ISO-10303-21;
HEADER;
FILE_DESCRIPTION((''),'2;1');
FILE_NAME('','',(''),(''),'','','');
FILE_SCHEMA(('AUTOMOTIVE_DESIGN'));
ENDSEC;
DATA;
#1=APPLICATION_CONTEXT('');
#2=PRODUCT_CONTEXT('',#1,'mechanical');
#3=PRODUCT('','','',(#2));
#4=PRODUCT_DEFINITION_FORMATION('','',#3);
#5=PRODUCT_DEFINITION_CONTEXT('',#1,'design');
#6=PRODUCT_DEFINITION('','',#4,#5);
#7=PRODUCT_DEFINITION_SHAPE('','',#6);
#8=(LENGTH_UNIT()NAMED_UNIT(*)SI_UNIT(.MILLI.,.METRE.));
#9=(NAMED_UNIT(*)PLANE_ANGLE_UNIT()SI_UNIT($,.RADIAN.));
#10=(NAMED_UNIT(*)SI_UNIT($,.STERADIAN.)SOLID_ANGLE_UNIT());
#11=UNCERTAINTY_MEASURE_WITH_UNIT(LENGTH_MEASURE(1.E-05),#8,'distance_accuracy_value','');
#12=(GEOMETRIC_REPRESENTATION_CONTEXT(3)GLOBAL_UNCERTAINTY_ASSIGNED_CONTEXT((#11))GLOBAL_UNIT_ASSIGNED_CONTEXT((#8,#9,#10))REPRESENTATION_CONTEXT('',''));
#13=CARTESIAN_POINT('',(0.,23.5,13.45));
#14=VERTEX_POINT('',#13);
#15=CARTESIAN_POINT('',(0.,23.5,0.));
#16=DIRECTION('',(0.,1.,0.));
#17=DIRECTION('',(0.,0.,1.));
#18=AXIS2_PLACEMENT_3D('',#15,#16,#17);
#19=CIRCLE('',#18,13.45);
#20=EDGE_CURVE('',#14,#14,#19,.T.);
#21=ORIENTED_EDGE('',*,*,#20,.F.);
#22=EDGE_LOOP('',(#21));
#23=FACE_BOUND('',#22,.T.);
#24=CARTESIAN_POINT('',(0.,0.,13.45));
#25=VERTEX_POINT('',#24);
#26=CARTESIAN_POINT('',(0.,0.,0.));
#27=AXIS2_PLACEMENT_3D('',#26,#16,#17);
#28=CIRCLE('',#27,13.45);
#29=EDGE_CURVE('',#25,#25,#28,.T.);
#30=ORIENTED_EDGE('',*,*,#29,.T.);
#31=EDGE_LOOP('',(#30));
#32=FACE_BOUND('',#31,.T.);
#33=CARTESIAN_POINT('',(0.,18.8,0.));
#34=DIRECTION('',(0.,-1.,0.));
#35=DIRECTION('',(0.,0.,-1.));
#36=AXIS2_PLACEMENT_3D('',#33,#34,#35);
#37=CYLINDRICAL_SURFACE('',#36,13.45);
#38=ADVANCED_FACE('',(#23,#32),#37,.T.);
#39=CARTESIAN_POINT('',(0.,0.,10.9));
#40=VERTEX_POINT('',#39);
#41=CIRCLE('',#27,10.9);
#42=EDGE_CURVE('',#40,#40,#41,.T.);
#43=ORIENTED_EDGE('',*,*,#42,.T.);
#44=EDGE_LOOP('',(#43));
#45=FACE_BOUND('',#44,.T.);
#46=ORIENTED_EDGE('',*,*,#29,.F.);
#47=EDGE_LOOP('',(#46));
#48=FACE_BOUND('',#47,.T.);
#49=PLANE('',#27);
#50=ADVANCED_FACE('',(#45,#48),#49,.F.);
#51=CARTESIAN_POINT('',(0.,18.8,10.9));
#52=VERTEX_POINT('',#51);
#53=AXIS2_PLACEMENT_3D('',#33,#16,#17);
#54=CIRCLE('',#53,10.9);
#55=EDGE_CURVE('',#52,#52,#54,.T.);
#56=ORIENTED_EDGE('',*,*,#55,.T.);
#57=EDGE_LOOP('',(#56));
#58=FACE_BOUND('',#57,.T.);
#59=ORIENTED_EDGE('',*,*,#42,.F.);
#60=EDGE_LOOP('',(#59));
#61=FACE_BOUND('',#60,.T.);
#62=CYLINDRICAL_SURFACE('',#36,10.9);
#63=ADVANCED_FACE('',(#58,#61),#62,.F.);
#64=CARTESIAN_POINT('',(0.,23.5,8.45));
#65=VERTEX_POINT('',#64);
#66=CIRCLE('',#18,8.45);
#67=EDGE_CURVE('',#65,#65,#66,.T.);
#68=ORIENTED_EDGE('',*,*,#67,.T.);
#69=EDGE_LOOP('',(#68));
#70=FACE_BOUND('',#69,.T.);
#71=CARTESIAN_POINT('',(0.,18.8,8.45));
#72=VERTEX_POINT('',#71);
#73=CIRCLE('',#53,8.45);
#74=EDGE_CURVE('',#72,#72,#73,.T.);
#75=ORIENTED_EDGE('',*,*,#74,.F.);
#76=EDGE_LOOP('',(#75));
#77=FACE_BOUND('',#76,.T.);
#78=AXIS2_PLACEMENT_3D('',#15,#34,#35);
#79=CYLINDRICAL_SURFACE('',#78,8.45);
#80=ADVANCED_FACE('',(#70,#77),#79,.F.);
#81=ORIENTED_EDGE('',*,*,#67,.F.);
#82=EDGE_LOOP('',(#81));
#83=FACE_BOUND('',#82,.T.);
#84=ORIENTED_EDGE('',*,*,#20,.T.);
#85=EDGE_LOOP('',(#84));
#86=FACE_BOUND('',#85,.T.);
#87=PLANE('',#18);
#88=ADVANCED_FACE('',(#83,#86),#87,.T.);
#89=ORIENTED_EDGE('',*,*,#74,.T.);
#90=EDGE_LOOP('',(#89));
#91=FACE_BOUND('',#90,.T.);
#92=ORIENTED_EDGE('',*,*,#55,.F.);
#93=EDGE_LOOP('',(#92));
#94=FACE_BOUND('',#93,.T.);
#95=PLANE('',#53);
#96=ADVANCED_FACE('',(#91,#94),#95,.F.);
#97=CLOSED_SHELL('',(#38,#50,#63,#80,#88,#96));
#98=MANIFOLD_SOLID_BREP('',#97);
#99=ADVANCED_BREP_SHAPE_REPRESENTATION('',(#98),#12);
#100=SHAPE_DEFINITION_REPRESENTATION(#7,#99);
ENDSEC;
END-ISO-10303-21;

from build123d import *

# Parameters (mm, degrees)
SKETCH1_R           = 13.45
SKETCH1_R_2         = 10.9
BOSS_EXTRUDE1_DEPTH = 18.8
SKETCH3_R           = 13.45
SKETCH3_R_2         = 8.45
BOSS_EXTRUDE2_DEPTH = 4.7


with BuildPart() as part:
    # Sketch1 → Boss-Extrude1 (new body)
    with BuildSketch(Plane(origin=(0, 0, 0), x_dir=(1, 0, 0), z_dir=(0, 1, 0))):
        with Locations(Location((0, 0, 0), (0, 0, 270))):
            Circle(SKETCH1_R)
        with Locations(Location((0, 0, 0), (0, 0, 270))):
            Circle(SKETCH1_R_2, mode=Mode.SUBTRACT)
    extrude(amount=BOSS_EXTRUDE1_DEPTH)

    # Sketch3 → Boss-Extrude2 (add)
    with BuildSketch(Plane(origin=(0, 18.8, 0), x_dir=(1, 0, 0), z_dir=(0, 1, 0))):
        with Locations(Location((0, 0, 0), (0, 0, 270))):
            Circle(SKETCH3_R)
        with Locations(Location((0, 0, 0), (0, 0, 270))):
            Circle(SKETCH3_R_2, mode=Mode.SUBTRACT)
    extrude(amount=BOSS_EXTRUDE2_DEPTH)


solid = part.part
